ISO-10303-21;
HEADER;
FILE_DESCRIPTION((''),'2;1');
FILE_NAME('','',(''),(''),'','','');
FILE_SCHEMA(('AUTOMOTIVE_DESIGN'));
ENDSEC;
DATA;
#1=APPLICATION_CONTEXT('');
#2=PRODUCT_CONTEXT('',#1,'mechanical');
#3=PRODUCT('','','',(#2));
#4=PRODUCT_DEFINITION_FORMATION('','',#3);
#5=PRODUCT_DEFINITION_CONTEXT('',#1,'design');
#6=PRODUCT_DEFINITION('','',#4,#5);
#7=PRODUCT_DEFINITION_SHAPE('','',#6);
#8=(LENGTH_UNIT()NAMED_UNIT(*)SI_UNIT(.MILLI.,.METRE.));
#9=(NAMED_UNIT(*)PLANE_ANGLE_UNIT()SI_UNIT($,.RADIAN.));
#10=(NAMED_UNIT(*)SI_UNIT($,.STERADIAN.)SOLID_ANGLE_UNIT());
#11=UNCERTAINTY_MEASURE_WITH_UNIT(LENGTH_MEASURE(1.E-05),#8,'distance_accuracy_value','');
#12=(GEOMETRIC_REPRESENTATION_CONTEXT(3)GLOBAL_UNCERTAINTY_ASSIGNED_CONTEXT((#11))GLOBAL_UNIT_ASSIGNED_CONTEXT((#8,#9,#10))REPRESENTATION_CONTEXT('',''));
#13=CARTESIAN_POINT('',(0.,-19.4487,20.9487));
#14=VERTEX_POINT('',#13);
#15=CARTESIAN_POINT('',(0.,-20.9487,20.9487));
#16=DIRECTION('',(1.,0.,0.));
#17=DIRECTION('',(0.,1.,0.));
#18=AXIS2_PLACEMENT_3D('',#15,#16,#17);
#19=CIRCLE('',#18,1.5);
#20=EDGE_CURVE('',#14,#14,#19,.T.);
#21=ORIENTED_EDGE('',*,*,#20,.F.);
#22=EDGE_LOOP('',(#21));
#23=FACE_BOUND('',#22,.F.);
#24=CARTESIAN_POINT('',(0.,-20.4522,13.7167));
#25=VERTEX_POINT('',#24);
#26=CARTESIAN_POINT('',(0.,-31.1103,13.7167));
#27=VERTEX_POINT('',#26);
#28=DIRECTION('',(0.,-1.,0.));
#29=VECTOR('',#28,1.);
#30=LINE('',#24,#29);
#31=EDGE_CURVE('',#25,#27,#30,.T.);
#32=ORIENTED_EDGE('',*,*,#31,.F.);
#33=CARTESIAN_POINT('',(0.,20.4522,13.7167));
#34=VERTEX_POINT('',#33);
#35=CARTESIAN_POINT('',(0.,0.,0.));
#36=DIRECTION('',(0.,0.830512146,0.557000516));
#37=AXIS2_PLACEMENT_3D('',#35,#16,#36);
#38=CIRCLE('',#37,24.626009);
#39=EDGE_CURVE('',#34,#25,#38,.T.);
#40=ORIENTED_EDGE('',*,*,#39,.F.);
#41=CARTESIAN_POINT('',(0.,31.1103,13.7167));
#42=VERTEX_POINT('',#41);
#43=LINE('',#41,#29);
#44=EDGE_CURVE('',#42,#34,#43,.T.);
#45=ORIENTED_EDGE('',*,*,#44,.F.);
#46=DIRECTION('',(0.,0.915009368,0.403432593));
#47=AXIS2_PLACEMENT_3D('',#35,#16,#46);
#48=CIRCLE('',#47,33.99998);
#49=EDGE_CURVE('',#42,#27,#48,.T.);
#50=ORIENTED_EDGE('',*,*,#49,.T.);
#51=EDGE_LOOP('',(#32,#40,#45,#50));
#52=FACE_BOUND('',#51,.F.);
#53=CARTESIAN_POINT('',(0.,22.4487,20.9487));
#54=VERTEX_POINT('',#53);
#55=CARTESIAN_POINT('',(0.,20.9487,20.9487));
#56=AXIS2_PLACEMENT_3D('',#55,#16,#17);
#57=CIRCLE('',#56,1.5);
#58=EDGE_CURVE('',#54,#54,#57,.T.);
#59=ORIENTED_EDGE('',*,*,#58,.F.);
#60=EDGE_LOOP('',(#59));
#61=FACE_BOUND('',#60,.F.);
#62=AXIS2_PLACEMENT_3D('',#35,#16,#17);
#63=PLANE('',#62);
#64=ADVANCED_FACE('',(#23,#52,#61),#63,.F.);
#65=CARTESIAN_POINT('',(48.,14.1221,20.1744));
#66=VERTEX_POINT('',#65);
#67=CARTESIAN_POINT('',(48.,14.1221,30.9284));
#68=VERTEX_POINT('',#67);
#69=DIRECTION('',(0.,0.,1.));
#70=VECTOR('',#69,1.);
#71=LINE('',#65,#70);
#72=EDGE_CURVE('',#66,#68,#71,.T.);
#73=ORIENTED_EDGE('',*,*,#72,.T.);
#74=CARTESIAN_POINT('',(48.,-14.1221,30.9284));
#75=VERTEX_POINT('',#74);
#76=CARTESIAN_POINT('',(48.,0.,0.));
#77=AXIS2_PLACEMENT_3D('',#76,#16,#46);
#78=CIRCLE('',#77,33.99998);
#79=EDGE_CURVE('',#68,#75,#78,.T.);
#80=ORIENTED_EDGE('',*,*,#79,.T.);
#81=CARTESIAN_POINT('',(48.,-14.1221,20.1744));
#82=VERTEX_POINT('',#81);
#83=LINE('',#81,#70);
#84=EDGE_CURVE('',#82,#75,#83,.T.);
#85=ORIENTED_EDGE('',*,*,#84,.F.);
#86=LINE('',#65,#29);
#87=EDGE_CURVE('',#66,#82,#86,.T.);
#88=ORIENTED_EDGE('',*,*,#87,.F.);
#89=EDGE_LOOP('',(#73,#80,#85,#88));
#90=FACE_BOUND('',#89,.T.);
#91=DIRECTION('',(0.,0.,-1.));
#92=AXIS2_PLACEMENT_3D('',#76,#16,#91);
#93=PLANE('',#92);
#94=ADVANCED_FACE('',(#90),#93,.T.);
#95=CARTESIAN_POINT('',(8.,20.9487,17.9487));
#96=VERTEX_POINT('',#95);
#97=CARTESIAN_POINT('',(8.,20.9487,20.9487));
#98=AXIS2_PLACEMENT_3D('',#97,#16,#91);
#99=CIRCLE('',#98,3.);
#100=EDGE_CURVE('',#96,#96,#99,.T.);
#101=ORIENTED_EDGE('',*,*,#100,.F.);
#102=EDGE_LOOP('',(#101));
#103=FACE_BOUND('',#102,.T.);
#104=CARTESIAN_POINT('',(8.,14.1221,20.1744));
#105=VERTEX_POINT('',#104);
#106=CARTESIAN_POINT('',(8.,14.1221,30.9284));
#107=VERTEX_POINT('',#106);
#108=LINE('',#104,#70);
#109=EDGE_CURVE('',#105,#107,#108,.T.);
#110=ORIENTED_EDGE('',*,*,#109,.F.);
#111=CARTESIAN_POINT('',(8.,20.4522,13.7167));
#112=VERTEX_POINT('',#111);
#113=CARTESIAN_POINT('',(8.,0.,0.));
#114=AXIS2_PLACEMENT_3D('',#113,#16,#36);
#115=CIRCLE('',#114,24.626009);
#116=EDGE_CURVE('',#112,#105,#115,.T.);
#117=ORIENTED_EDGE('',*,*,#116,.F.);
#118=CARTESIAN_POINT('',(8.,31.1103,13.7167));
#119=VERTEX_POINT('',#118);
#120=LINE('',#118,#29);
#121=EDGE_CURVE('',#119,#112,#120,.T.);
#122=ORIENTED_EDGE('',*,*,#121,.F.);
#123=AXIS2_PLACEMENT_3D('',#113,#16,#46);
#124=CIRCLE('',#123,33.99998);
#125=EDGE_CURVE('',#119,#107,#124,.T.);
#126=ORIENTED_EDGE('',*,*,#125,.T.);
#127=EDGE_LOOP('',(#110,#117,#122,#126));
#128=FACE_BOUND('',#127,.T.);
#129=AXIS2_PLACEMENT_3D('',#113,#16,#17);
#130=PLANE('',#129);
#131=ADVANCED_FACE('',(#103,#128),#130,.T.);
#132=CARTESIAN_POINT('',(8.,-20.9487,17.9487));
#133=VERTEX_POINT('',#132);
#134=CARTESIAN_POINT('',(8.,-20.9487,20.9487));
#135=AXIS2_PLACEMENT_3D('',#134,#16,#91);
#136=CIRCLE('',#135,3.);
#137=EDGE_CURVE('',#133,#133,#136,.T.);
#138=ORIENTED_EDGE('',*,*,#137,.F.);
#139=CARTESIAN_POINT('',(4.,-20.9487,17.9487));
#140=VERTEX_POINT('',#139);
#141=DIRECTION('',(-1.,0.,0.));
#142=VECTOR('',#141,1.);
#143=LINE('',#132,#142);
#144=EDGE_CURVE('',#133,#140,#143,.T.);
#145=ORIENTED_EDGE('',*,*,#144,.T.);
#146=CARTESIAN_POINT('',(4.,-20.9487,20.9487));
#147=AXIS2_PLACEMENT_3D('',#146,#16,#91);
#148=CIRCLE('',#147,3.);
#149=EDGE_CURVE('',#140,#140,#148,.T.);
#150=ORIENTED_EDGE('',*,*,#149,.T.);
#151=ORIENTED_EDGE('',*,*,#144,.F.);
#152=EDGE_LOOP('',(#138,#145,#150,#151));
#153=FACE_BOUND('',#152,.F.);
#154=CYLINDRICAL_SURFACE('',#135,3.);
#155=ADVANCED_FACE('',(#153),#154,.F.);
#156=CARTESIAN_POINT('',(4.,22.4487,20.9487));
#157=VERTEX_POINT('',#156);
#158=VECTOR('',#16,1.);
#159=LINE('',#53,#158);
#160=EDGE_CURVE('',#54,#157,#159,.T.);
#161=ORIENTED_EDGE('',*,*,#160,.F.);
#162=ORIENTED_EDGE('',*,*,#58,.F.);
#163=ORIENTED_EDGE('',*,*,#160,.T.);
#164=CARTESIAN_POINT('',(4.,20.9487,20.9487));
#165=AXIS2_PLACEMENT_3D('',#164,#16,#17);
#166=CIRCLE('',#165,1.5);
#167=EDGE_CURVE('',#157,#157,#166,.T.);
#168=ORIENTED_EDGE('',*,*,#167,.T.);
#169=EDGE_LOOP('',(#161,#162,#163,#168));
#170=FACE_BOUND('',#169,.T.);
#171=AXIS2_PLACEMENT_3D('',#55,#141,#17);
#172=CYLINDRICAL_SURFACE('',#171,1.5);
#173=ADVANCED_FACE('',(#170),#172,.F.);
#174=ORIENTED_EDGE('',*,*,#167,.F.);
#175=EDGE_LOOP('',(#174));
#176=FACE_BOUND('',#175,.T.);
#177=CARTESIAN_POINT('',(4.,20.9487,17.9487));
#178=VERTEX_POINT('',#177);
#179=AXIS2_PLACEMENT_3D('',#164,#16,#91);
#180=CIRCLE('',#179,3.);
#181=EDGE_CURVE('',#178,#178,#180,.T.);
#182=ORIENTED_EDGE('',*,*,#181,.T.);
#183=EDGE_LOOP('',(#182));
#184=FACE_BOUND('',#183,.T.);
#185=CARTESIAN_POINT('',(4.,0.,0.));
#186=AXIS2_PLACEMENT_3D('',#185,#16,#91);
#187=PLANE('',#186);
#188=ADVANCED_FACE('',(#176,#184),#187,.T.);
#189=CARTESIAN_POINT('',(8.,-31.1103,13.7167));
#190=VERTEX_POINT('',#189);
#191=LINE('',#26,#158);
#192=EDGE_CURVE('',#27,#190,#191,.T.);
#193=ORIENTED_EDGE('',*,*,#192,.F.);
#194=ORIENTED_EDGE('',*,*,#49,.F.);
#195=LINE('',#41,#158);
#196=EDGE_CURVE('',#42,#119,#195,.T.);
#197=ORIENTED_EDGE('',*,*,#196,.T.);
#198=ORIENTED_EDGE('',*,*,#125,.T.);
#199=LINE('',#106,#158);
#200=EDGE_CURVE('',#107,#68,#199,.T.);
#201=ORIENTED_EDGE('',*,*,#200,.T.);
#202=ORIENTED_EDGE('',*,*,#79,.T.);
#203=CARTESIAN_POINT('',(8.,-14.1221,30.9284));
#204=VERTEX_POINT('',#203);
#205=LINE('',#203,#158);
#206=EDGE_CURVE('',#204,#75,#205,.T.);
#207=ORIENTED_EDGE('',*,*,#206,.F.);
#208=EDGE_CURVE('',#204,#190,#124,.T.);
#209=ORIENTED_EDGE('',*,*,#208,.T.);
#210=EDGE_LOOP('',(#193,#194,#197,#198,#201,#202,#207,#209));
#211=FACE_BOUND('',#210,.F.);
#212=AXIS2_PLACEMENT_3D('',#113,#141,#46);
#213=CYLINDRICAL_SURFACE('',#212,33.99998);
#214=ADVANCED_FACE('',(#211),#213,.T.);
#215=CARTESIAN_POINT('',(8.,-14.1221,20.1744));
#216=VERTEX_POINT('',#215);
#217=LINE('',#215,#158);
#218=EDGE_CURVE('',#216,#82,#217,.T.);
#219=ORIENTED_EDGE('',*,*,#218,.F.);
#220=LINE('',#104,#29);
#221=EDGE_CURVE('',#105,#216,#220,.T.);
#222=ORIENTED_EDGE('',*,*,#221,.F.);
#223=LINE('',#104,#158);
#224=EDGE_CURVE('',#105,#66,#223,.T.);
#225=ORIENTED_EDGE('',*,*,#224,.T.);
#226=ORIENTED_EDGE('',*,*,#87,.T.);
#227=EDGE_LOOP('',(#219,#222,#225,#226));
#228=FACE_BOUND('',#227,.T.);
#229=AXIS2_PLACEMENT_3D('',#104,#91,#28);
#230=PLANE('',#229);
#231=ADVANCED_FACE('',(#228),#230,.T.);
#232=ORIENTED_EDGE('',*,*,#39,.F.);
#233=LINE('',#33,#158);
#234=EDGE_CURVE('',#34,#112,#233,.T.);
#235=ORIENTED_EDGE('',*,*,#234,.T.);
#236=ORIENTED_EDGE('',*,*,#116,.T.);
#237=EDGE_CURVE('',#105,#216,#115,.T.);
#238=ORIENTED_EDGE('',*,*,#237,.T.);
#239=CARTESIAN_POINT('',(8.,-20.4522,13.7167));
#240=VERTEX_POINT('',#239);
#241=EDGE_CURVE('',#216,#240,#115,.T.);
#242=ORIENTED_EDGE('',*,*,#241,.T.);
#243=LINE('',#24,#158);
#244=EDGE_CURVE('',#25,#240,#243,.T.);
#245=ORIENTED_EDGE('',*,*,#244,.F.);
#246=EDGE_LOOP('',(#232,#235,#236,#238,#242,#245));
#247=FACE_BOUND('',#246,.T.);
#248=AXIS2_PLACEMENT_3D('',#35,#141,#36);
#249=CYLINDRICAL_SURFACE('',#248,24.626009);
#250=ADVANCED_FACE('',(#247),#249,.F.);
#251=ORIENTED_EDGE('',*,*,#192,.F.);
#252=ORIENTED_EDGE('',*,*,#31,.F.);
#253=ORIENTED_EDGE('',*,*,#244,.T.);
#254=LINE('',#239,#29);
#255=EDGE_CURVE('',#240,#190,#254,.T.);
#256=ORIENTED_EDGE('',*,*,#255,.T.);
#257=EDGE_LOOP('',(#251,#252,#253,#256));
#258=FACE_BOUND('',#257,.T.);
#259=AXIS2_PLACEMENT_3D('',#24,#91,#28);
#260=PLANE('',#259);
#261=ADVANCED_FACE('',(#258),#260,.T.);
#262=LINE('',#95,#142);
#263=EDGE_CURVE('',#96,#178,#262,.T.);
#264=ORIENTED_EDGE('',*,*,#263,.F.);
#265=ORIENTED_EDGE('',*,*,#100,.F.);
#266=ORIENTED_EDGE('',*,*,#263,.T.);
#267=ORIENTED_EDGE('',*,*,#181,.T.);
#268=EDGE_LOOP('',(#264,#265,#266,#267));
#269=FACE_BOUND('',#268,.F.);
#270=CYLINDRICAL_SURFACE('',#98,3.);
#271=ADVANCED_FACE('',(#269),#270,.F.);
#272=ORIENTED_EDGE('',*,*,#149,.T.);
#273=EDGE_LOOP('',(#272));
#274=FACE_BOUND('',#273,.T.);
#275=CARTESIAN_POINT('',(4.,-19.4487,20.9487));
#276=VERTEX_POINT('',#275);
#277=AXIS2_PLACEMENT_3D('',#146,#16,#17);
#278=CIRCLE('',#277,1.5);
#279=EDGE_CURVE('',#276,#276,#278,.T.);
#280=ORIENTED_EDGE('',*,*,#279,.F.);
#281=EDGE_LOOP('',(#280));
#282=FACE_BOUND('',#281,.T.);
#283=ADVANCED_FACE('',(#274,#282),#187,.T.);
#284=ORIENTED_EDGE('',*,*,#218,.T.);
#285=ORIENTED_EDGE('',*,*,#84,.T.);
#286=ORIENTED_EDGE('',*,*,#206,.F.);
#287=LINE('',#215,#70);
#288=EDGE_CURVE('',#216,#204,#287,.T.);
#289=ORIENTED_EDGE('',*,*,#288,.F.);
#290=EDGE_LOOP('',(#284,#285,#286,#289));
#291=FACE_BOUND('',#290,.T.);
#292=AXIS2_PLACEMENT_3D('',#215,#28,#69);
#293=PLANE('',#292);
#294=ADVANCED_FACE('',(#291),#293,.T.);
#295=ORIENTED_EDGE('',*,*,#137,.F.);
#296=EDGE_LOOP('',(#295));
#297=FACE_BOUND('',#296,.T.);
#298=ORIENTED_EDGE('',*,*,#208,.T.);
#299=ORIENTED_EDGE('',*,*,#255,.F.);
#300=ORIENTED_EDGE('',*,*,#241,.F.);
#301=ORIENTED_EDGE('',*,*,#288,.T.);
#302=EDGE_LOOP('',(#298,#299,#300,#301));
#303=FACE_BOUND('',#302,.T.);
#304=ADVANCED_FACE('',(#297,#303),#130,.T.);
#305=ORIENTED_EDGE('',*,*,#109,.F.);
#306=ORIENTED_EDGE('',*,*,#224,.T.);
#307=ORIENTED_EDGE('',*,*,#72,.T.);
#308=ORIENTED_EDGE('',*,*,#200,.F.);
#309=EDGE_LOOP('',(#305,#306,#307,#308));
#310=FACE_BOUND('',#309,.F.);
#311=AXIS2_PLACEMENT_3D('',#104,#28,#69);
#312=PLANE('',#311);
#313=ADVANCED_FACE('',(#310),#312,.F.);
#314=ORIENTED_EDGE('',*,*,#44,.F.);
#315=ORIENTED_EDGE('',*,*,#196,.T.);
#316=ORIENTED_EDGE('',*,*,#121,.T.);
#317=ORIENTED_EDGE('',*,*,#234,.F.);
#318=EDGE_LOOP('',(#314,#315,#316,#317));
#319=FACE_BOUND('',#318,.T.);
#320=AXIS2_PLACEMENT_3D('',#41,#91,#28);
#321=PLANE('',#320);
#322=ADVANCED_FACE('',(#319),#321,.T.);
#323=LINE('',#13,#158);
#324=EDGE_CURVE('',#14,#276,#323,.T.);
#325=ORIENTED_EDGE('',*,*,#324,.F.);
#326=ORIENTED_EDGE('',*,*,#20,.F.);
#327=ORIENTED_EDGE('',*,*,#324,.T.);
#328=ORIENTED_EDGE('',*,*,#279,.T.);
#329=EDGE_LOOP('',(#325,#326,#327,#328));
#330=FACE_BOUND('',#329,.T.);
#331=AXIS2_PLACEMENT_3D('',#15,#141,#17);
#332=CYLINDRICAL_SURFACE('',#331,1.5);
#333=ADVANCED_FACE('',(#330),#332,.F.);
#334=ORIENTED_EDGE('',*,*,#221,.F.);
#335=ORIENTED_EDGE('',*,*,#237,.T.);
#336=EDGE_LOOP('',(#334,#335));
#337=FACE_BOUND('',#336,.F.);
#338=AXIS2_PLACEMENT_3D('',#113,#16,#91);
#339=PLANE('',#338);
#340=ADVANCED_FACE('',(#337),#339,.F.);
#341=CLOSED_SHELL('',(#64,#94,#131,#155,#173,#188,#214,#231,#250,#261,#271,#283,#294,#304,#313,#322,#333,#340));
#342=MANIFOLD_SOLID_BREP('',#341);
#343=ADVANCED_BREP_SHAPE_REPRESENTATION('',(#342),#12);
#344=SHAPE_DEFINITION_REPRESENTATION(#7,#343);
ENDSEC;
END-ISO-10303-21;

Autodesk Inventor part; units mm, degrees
ref_plane "YZ Plane" through (0, 0, 0) normal (1, 0, 0) x (0, 1, 0)
ref_plane "XZ Plane" through (0, 0, 0) normal (0, 1, 0) x (-1, 0, 0)
ref_plane "XY Plane" through (0, 0, 0) normal (0, 0, 1) x (1, 0, 0)
sketch "Sketch1" plane through (0, 0, 0) normal (1, 0, 0) x (0, 1, 0)
  arc A0 (31.1103, 13.7167) -> (-31.1103, 13.7167) centre (0, 0) ccw
  arc A1 (20.4522, 13.7167) -> (-20.4522, 13.7167) centre (0, 0) ccw
  line L0 (0, 0) -> (34, 0) construction
  circle A2 centre (20.9487, 20.9487) radius 1.5
  line L1 (31.1103, 13.7167) -> (20.4522, 13.7167)
  line L2 (-20.4522, 13.7167) -> (-31.1103, 13.7167)
  line L3 (0, 0) -> (34, 0) construction
  circle A3 centre (-20.9487, 20.9487) radius 1.5
extrude "Extrusion1" add sketch "Sketch1" along normal blind 8
sketch "Sketch2" plane through (8, 0, 0) normal (1, 0, 0) x (0, 0, -1)
  circle A0 centre (-20.9487, 20.9487) radius 1.5 projected
  circle A1 centre (-20.9487, 20.9487) radius 3
  circle A2 centre (-20.9487, -20.9487) radius 1.5 projected
  circle A3 centre (-20.9487, -20.9487) radius 3
  point P0 (0, 0)
  dimension "d8" = 6
extrude "Extrusion2" cut sketch "Sketch2" against normal blind 4
sketch "Sketch3" plane through (8, 0, 0) normal (1, 0, 0) x (0, 0, -1)
  line L0 (-20.1744, 14.1221) -> (-30.9284, 14.1221)
  arc A0 (-13.7167, 31.1103) -> (-13.7167, -31.1103) centre (0, 0) ccw projected
  line L1 (-20.1744, -14.1221) -> (-30.9284, -14.1221)
  arc A1 (-30.9284, 14.1221) -> (-30.9284, -14.1221) centre (0, 0) ccw
  line L2 (-20.1744, 14.1221) -> (-20.1744, -14.1221)
extrude "Extrusion3" add sketch "Sketch3" along normal blind 40
properties part number "Lid_Tilt"
